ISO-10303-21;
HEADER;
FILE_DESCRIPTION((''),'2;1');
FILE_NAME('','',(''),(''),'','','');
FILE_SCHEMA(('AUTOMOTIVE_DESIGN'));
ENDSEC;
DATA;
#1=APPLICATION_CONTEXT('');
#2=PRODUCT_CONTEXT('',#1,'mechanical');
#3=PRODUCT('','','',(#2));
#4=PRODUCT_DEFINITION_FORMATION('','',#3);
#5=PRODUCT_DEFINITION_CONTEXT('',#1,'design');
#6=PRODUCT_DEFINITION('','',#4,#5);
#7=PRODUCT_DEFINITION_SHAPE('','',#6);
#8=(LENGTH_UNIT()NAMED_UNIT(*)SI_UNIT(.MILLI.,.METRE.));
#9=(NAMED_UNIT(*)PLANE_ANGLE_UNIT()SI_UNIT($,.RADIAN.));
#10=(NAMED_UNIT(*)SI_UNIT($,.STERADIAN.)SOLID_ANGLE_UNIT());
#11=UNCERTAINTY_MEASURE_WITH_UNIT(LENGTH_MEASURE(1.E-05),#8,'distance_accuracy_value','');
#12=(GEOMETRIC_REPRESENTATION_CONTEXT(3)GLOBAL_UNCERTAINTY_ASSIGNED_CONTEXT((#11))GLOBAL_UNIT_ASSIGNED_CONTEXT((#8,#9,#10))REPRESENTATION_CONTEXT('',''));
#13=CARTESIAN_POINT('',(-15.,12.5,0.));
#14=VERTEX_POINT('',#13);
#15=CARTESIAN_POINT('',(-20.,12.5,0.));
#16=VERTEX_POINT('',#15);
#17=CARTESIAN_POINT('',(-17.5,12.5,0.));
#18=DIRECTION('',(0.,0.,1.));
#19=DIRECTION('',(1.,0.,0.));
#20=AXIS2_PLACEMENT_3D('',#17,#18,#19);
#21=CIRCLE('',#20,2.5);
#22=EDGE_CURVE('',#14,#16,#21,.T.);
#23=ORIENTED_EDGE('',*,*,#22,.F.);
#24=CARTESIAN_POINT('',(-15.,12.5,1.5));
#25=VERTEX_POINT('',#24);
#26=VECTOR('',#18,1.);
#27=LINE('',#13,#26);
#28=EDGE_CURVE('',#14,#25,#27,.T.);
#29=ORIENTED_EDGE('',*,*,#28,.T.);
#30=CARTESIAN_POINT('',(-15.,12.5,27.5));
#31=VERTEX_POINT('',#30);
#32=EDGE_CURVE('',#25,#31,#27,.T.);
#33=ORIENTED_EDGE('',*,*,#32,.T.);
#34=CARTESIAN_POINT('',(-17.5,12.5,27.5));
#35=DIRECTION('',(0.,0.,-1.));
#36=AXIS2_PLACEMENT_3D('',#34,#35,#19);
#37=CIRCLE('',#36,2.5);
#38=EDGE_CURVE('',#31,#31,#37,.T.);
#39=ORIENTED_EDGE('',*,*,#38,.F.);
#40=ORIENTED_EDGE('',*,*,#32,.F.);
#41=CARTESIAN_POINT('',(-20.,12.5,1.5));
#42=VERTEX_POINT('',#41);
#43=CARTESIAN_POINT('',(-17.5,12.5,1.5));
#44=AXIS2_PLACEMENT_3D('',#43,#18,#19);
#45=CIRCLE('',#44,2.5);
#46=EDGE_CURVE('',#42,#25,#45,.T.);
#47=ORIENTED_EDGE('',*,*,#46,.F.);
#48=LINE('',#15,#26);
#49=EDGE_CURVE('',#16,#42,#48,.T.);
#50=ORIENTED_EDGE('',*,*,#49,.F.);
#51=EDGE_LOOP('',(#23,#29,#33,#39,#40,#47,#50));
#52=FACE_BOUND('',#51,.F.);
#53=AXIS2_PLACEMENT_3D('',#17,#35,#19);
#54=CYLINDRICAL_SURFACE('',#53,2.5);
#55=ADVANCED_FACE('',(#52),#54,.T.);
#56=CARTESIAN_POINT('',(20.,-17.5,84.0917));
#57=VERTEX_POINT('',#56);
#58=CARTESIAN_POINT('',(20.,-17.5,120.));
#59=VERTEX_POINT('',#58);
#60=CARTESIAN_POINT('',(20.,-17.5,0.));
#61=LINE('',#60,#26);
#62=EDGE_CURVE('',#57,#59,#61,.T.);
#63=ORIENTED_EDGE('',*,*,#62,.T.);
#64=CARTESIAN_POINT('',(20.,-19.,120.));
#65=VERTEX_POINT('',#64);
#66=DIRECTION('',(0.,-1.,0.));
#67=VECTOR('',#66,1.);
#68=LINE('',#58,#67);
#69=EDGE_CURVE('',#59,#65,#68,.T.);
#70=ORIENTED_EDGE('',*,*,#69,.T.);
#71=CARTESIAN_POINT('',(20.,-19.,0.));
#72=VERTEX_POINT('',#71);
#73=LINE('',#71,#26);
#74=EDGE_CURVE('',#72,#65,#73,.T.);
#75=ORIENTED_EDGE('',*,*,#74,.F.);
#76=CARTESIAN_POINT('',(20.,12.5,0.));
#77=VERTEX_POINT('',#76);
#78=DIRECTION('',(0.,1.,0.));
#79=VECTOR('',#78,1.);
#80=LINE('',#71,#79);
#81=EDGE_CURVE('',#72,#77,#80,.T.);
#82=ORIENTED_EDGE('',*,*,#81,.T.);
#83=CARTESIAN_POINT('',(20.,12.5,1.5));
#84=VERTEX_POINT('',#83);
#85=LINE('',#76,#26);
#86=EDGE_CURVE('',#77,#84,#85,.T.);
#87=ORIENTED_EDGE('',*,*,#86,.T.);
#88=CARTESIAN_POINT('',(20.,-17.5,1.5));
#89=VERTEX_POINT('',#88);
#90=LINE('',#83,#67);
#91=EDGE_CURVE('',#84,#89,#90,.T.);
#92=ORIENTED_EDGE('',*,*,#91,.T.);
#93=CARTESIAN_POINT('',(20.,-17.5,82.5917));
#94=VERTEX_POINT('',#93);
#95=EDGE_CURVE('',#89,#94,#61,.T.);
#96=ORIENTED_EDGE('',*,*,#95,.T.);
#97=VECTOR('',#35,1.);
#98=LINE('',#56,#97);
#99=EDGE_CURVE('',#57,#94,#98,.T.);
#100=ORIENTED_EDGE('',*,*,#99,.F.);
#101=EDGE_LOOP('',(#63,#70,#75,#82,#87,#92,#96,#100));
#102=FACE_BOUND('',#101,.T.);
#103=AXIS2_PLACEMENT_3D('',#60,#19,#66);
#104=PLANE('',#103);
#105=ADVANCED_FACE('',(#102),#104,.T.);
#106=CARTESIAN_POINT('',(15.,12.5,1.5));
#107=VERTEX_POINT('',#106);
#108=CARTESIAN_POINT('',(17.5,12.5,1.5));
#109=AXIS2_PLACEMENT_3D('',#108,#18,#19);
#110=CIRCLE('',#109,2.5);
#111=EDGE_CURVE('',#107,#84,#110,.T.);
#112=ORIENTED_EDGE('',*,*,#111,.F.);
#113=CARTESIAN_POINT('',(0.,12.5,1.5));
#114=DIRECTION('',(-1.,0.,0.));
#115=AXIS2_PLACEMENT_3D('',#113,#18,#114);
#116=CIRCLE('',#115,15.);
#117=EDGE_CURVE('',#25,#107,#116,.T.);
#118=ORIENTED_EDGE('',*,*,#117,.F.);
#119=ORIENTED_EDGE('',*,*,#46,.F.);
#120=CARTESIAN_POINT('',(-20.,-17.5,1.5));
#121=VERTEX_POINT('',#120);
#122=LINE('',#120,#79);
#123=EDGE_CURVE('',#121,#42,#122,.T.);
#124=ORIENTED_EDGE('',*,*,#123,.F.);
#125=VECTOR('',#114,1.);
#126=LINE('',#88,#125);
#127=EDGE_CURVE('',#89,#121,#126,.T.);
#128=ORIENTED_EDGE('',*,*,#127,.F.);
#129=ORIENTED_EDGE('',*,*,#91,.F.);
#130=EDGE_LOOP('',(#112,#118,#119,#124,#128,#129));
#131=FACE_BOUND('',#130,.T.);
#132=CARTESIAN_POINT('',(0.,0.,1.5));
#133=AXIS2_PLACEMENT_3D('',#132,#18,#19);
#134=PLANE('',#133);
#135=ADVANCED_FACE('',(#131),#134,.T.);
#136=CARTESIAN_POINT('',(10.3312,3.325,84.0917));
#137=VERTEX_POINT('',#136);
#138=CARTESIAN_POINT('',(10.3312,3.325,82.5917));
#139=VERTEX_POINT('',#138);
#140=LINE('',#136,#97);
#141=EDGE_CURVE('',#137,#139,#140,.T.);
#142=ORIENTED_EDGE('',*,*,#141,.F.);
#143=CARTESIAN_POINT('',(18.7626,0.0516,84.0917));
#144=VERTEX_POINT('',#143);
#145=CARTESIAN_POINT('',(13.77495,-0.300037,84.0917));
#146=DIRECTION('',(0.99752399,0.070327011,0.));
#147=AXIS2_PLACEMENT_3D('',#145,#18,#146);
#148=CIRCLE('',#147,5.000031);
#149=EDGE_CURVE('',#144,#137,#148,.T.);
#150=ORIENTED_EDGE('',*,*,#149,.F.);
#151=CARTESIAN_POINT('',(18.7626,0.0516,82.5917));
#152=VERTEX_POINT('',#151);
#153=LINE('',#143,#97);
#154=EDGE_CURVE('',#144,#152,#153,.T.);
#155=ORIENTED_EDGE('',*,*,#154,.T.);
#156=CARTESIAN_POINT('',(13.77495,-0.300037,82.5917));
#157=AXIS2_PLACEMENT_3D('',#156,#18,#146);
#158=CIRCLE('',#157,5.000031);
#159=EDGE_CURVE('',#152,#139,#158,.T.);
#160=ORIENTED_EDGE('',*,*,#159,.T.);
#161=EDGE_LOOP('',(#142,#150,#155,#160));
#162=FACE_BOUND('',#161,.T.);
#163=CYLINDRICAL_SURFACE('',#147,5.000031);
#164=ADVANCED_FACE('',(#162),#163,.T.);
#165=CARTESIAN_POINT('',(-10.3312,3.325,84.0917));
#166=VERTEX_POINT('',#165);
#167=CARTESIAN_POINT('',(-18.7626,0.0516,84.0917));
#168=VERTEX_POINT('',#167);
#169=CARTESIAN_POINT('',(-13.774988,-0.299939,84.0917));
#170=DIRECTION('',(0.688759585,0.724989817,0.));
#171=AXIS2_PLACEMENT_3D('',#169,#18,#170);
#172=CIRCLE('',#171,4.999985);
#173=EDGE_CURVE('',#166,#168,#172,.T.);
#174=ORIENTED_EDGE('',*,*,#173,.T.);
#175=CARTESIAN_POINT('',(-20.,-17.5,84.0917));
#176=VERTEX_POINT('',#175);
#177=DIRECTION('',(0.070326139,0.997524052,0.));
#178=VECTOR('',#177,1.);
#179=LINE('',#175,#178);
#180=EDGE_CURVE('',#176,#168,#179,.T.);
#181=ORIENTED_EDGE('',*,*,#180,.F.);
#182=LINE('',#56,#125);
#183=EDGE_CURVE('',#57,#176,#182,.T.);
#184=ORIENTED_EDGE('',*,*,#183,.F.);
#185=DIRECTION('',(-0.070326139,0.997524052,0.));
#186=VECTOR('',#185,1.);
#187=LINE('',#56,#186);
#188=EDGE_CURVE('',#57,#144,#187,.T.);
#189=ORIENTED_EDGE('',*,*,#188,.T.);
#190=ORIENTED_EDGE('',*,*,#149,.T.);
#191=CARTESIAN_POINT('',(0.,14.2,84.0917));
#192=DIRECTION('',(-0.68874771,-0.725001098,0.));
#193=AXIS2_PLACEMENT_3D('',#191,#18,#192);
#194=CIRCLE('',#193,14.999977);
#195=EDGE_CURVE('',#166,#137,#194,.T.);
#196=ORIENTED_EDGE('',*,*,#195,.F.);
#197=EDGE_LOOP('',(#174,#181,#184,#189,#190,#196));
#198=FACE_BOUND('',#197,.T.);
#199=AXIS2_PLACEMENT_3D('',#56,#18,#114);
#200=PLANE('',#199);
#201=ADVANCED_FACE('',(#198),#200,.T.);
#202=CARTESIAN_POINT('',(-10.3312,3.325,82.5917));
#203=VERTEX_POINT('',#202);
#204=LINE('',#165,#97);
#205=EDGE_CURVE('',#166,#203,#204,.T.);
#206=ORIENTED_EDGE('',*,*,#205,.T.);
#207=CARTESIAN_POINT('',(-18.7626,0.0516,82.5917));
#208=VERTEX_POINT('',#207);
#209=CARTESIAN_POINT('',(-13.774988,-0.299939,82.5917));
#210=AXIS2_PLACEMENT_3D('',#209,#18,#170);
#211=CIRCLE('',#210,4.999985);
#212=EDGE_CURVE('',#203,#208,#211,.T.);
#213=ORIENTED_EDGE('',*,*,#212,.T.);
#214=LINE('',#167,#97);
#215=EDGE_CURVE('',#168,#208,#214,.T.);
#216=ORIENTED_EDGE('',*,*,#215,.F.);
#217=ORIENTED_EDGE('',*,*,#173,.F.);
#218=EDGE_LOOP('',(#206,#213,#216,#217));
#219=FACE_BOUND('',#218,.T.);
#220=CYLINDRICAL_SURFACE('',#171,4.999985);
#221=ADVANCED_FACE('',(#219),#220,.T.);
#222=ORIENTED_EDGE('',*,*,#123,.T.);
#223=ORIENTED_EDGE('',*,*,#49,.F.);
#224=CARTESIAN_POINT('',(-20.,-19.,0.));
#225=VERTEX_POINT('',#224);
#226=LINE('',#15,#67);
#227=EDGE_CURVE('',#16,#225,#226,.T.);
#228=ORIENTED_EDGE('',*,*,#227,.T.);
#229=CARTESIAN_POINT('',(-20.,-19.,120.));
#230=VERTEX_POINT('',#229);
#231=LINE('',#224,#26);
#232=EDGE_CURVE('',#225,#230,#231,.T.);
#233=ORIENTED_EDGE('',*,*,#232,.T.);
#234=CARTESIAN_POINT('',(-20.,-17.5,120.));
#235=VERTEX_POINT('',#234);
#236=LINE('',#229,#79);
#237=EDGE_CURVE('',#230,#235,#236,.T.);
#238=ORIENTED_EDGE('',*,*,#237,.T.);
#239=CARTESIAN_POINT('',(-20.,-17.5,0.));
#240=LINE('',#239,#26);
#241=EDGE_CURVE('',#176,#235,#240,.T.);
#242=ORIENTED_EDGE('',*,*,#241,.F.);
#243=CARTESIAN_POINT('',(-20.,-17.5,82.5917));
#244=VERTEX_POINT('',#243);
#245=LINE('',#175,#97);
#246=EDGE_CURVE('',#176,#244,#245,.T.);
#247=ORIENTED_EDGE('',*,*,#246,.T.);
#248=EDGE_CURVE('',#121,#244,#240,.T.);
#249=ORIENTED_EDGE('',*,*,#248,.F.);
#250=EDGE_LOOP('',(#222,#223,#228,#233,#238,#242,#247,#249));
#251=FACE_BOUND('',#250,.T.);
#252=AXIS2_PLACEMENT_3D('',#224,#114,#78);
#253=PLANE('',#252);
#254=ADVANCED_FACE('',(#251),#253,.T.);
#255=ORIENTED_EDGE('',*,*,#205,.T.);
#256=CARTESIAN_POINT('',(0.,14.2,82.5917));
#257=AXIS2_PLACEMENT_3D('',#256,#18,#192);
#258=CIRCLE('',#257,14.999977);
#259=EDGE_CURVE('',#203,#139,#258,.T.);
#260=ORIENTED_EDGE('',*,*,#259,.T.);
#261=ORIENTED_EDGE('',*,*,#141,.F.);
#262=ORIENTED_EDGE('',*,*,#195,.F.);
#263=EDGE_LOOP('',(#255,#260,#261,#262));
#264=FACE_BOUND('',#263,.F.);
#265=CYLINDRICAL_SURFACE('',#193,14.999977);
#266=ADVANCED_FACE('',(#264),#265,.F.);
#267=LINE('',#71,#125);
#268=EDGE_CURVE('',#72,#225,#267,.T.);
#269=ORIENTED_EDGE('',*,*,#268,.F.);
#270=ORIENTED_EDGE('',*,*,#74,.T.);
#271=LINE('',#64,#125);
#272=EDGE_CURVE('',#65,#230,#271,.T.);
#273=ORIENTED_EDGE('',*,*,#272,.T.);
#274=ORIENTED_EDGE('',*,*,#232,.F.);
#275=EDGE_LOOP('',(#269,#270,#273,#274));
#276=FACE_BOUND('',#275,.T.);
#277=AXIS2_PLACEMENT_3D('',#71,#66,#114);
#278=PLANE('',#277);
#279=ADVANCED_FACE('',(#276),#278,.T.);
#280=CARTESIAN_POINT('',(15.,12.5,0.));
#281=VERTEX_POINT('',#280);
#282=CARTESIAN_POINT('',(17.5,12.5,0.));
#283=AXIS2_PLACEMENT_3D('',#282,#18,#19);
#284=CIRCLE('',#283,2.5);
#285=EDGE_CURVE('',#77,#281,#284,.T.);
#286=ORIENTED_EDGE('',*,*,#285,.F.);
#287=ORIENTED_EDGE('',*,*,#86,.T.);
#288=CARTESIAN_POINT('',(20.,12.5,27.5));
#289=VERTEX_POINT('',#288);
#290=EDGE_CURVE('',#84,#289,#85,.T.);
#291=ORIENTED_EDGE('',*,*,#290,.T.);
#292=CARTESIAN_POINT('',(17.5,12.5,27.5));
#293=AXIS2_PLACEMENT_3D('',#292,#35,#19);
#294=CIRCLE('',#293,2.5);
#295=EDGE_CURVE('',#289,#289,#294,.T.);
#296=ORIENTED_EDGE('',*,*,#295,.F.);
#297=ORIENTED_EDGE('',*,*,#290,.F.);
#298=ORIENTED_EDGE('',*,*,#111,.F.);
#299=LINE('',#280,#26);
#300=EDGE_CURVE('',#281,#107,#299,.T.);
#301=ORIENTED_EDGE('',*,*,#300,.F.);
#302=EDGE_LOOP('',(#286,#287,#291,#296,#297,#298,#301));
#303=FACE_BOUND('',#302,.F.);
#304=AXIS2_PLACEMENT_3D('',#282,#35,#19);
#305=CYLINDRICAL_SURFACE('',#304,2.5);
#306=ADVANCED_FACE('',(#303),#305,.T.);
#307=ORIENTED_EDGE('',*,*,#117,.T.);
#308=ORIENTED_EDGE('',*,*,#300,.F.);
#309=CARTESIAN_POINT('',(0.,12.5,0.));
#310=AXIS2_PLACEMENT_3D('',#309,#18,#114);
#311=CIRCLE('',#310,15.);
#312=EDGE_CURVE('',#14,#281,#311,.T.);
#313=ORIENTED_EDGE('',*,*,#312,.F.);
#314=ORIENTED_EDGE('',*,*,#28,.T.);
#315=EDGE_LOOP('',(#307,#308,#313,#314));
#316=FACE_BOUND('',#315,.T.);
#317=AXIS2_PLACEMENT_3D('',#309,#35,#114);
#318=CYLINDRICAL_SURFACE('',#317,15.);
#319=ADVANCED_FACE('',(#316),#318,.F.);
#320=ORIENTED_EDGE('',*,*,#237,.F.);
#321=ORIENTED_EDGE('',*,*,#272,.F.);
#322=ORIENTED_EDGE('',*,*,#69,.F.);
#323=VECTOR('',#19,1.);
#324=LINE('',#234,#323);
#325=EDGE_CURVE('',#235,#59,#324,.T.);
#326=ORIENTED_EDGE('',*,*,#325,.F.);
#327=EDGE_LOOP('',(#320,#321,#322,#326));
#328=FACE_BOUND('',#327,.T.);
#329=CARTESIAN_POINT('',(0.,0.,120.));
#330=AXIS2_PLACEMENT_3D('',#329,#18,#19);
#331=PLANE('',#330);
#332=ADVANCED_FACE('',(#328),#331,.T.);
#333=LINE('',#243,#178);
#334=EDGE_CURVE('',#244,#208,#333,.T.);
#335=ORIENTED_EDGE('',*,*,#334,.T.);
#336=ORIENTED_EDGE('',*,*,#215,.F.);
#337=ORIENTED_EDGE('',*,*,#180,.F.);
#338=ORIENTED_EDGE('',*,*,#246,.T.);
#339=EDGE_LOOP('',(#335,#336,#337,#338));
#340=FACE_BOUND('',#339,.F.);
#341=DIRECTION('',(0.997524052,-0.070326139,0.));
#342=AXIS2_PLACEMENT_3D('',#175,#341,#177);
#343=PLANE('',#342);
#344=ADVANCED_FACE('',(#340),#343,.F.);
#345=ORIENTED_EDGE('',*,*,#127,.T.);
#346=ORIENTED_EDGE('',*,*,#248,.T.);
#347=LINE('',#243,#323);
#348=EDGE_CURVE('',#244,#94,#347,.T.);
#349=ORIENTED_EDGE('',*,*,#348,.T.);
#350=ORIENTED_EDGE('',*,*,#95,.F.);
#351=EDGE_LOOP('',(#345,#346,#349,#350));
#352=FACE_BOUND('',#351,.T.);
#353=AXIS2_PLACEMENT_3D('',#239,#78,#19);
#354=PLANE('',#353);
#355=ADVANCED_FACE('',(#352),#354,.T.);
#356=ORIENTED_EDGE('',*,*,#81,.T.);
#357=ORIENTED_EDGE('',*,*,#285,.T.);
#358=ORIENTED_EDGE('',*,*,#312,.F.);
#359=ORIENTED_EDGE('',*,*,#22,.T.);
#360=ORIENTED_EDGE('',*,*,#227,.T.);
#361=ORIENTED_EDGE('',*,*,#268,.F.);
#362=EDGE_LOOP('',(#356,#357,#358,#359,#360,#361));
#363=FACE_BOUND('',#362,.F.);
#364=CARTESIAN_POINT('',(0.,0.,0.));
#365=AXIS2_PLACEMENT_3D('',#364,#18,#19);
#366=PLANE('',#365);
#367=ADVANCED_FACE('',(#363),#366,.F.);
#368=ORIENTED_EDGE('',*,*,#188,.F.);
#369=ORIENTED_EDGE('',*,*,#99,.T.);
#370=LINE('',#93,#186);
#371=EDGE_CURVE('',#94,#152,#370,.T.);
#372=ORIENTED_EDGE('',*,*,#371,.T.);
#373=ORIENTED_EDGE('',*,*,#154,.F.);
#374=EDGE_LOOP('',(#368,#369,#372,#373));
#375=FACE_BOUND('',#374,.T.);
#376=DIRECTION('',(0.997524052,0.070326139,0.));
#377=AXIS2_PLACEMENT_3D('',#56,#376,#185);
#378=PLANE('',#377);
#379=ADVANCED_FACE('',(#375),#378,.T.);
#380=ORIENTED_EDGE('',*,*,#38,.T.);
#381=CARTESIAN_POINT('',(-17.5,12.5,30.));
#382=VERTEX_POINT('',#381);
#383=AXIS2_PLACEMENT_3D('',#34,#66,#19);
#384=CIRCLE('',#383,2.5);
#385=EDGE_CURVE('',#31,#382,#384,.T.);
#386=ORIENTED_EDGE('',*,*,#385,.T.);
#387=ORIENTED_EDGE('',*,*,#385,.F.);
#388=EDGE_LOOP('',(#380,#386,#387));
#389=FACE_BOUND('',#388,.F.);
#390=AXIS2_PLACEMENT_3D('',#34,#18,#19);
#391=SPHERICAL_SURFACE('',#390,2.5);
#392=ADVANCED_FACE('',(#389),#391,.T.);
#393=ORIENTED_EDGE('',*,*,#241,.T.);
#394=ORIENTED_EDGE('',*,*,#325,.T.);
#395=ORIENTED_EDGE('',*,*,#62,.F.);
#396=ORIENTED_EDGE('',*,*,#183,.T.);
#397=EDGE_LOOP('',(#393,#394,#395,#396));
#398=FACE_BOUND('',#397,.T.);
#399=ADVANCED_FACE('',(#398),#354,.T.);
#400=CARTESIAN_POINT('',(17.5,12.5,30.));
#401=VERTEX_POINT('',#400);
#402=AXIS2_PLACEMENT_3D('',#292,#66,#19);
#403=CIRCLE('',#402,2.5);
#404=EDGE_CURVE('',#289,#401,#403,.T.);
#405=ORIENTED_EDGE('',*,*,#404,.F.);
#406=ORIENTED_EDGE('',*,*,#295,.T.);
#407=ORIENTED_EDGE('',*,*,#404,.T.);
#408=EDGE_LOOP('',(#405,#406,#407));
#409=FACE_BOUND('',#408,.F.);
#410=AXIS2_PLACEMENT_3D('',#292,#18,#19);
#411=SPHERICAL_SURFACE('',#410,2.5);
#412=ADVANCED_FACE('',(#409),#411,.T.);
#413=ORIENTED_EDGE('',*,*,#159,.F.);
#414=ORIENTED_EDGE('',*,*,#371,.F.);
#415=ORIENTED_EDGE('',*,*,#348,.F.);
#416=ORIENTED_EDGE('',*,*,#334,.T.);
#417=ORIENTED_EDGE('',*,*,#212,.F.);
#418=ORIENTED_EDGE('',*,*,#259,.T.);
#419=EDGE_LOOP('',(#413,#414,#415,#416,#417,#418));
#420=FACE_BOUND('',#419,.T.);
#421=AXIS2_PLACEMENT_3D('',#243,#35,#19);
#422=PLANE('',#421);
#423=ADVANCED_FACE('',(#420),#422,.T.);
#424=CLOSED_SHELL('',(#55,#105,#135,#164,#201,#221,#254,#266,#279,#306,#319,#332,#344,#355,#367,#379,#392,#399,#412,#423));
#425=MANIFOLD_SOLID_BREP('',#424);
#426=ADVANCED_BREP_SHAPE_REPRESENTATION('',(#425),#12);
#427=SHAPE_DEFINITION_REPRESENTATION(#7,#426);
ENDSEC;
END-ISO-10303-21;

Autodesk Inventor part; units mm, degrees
ref_plane "YZ Plane" through (0, 0, 0) normal (1, 0, 0) x (0, 1, 0)
ref_plane "XZ Plane" through (0, 0, 0) normal (0, 1, 0) x (-1, 0, 0)
ref_plane "XY Plane" through (0, 0, 0) normal (0, 0, 1) x (1, 0, 0)
sketch "Sketch1" plane through (0, 0, 0) normal (0, 0, 1) x (1, 0, 0)
  line L0 (20, 12.5) -> (20, -17.5)
  line L1 (20, -17.5) -> (-20, -17.5)
  line L2 (-20, -17.5) -> (-20, 12.5)
  circle A0 centre (-17.5, 12.5) radius 2.5
  circle A1 centre (17.5, 12.5) radius 2.5
  arc A2 (-15, 12.5) -> (15, 12.5) centre (0, 12.5) ccw
  point P0 (0, 0)
  dimension "d0" = 40
  dimension "d2" = 5
  dimension "d3" = 5
  dimension "d4" = 30
  dimension "d5" = 20
  dimension "d6" = 17.5
  dimension "d7" = 15
extrude "Extrusion1" add sketch "Sketch1" along normal blind 1.5 contours L0 L1 L2 A0 A2 A1
extrude "Extrusion2" add sketch "Sketch1" along normal blind 30 contours A1 | A0
fillet "Fillet1" radius 2.5 2 edges at (-20, 12.5, 30) (15, 12.5, 30)
sketch "Sketch2" plane through (0, 0, 0) normal (0, 0, 1) x (1, 0, 0)
  line L0 (-20, -17.5) -> (20, -17.5) projected
  line L1 (-20, -17.5) -> (20, -17.5) projected
  line L2 (-20, -17.5) -> (20, -17.5)
  line L3 (20, -17.5) -> (20, -19)
  line L4 (20, -19) -> (-20, -19)
  line L5 (-20, -19) -> (-20, -17.5)
  point P0 (0, 0)
  dimension "d13" = 1.5
extrude "Extrusion3" add sketch "Sketch2" along normal blind 120
sketch "Sketch5" plane through (-20, -17.5, 1.5) normal (0, 1, 0) x (1, 0, 0)
  line L0 (0, 0) -> (0, -118.5) projected
  line L1 (40, 0) -> (40, -118.5) projected
  line L2 (0, -81.0917) -> (40, -81.0917)
  line L3 (40, -81.0917) -> (40, -82.5917)
  line L4 (40, -82.5917) -> (0, -82.5917)
  line L5 (0, -82.5917) -> (0, -81.0917)
  line L6 (0, 0) -> (40, 0) projected
  point P0 (20, 1.5)
  point P1 (0, -82.5917)
  dimension "d25" = 1.5
  dimension "d26" = 81.0917
extrude "Extrusion5" add sketch "Sketch5" along normal blind 40 contours L2 L1 L4 L0
sketch "Sketch7" plane through (-20, -17.5, 84.0917) normal (0, 0, 1) x (1, 0, 0)
  arc A0 (9.6688, 20.825) -> (30.3312, 20.825) centre (20, 31.7) ccw
  line L0 (40, 0) -> (0, 0) projected
  line L1 (40, 0) -> (0, 0)
  line L2 (0, 0) -> (1.2374, 17.5516)
  arc A1 (9.6688, 20.825) -> (1.2374, 17.5516) centre (6.225, 17.2) ccw
  line L3 (40, 0) -> (38.7626, 17.5516)
  arc A2 (38.7626, 17.5516) -> (30.3312, 20.825) centre (33.775, 17.2) ccw
  line L4 (20, 0.597) -> (20, 58.4364) construction
  line L5 (40, 0) -> (40, 40) projected
  line L6 (40, 0) -> (40, 40)
  line L7 (0, 0) -> (0, 40) projected
  line L8 (40, 40) -> (0, 40)
  line L9 (0, 40) -> (0, 0)
  point P0 (20, 17.5)
  dimension "d36" = 30
  dimension "d37" = 31.7
  dimension "d38" = 5
  dimension "d39" = 17.2
extrude "Extrusion7" cut sketch "Sketch7" against normal up to surface (1.5 mm away) contours A1 L2 L7 L8 L5 L3 A2 A0
equation "\"d2\" = arm_thickness"
equation "\"d3\" = arm_thickness"
equation "\"d4\" = top_prong_height"
equation "\"d7\" = 3 * arm_thickness"
equation "\"d8\" = material_thickness"
equation "\"d10\" = arm_length"
equation "\"d12\" = 0.5 * arm_thickness"
equation "\"d13\" = material_thickness"
equation "\"d25\" = material_thickness"
equation "\"d36\" = handle_cutout_radius"
equation "\"d37\" = top_prong_height + prong_handle_height"
equation "\"arm_thickness\" = 5"
equation "\"material_thickness\" = 1.5"
equation "\"arm_length\" = 30"
equation "\"top_prong_height\" = 30"
equation "\"handle_cutout_radius\" = 30"
equation "\"prong_handle_height\" = 1.7"
properties part number "my_portafilter_holder_23ipt"
